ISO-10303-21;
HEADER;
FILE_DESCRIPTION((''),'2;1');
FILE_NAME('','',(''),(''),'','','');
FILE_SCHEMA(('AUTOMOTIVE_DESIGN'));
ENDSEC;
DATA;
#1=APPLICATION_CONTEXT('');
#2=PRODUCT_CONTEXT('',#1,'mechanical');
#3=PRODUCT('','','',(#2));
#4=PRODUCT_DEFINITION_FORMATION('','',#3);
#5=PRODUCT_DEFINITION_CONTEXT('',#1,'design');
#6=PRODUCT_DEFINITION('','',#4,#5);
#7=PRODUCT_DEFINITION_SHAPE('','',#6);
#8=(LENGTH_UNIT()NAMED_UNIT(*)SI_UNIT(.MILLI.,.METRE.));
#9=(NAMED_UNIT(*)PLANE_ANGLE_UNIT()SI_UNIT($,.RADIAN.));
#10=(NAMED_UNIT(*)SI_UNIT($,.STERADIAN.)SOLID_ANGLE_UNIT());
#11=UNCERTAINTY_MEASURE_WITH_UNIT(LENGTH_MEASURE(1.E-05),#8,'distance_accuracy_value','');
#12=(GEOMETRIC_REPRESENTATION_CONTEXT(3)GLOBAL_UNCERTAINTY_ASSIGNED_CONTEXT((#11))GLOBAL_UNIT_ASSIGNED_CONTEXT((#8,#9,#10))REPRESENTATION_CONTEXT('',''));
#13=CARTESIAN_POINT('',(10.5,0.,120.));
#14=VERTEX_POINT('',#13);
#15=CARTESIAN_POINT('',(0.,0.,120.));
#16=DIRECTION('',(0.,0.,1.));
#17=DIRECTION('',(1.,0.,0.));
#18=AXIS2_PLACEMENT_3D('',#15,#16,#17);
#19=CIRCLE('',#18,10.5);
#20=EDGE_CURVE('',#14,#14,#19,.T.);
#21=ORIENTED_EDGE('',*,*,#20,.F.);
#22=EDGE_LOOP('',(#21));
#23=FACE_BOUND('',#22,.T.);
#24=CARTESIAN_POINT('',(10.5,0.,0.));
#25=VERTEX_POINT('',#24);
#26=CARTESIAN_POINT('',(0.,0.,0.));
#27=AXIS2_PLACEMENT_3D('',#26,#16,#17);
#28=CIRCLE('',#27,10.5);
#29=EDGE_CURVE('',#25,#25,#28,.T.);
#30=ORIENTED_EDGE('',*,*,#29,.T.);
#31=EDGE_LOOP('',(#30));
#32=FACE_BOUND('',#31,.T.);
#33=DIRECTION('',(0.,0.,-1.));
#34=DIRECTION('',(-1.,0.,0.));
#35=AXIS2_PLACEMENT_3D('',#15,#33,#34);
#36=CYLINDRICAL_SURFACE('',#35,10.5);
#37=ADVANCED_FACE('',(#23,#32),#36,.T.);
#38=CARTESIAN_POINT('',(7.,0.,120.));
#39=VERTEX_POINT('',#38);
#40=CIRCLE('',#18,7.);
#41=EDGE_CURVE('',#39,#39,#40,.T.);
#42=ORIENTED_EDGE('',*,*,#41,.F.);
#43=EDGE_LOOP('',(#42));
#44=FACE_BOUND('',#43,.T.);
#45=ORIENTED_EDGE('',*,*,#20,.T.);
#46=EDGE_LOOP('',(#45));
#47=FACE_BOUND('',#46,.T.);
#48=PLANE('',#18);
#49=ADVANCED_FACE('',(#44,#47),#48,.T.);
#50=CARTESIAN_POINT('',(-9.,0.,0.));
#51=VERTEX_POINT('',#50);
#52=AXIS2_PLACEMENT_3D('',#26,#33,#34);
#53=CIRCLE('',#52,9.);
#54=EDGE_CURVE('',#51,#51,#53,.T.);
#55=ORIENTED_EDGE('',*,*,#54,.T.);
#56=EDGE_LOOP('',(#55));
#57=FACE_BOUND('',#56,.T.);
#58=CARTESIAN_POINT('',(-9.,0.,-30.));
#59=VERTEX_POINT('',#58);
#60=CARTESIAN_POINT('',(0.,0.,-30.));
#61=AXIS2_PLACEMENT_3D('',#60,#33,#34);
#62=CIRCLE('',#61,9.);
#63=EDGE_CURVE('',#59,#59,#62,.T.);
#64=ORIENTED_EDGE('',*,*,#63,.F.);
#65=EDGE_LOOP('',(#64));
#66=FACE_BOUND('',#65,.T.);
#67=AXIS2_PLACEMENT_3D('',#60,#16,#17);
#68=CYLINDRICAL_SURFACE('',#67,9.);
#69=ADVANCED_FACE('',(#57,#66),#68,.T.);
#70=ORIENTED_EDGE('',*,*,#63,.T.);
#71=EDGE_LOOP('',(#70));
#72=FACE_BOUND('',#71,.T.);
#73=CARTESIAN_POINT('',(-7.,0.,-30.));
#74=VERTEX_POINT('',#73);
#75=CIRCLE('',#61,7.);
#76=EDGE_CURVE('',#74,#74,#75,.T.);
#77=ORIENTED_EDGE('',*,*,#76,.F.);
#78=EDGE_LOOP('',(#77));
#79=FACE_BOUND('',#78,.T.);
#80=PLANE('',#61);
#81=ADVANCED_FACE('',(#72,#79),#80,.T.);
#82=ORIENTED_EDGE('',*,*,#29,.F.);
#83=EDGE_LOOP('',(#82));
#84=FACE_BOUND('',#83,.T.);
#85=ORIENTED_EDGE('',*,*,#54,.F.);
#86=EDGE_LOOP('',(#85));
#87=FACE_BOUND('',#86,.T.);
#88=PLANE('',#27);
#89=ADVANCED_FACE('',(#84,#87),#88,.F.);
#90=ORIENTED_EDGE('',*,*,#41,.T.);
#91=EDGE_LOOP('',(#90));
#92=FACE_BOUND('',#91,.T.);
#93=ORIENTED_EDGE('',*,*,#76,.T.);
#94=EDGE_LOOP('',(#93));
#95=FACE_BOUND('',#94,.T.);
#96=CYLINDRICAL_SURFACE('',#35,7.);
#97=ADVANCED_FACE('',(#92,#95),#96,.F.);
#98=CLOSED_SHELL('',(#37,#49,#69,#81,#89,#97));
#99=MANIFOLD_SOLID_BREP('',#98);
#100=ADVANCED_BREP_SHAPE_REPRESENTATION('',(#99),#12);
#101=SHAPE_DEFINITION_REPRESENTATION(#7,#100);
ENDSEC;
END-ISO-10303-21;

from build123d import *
from build123d.topology import SkipClean

# Parameters (mm, degrees)
SKETCH2_R           = 10.5
SKETCH2_R_2         = 7
BOSS_EXTRUDE1_DEPTH = 120
BOSS_EXTRUDE2_START = 30
SKETCH4_R           = 9
SKETCH4_R_2         = 7
BOSS_EXTRUDE2_DEPTH = 30


with BuildPart() as part:
    # Sketch2 → Boss-Extrude1 (new body)
    with BuildSketch(Plane.XY):
        Circle(SKETCH2_R)
        Circle(SKETCH2_R_2, mode=Mode.SUBTRACT)
    extrude(amount=BOSS_EXTRUDE1_DEPTH)

    # Sketch4 → Boss-Extrude2 (add)
    with SkipClean():  # the faces are left unmerged after this step: merging them gives an invalid solid
        with BuildSketch(Plane(origin=(0, 0, 0), x_dir=(-1, 0, 0), z_dir=(0, 0, -1)).offset(BOSS_EXTRUDE2_START)):
            Circle(SKETCH4_R)
            Circle(SKETCH4_R_2, mode=Mode.SUBTRACT)
        extrude(amount=-BOSS_EXTRUDE2_DEPTH)


solid = part.part
